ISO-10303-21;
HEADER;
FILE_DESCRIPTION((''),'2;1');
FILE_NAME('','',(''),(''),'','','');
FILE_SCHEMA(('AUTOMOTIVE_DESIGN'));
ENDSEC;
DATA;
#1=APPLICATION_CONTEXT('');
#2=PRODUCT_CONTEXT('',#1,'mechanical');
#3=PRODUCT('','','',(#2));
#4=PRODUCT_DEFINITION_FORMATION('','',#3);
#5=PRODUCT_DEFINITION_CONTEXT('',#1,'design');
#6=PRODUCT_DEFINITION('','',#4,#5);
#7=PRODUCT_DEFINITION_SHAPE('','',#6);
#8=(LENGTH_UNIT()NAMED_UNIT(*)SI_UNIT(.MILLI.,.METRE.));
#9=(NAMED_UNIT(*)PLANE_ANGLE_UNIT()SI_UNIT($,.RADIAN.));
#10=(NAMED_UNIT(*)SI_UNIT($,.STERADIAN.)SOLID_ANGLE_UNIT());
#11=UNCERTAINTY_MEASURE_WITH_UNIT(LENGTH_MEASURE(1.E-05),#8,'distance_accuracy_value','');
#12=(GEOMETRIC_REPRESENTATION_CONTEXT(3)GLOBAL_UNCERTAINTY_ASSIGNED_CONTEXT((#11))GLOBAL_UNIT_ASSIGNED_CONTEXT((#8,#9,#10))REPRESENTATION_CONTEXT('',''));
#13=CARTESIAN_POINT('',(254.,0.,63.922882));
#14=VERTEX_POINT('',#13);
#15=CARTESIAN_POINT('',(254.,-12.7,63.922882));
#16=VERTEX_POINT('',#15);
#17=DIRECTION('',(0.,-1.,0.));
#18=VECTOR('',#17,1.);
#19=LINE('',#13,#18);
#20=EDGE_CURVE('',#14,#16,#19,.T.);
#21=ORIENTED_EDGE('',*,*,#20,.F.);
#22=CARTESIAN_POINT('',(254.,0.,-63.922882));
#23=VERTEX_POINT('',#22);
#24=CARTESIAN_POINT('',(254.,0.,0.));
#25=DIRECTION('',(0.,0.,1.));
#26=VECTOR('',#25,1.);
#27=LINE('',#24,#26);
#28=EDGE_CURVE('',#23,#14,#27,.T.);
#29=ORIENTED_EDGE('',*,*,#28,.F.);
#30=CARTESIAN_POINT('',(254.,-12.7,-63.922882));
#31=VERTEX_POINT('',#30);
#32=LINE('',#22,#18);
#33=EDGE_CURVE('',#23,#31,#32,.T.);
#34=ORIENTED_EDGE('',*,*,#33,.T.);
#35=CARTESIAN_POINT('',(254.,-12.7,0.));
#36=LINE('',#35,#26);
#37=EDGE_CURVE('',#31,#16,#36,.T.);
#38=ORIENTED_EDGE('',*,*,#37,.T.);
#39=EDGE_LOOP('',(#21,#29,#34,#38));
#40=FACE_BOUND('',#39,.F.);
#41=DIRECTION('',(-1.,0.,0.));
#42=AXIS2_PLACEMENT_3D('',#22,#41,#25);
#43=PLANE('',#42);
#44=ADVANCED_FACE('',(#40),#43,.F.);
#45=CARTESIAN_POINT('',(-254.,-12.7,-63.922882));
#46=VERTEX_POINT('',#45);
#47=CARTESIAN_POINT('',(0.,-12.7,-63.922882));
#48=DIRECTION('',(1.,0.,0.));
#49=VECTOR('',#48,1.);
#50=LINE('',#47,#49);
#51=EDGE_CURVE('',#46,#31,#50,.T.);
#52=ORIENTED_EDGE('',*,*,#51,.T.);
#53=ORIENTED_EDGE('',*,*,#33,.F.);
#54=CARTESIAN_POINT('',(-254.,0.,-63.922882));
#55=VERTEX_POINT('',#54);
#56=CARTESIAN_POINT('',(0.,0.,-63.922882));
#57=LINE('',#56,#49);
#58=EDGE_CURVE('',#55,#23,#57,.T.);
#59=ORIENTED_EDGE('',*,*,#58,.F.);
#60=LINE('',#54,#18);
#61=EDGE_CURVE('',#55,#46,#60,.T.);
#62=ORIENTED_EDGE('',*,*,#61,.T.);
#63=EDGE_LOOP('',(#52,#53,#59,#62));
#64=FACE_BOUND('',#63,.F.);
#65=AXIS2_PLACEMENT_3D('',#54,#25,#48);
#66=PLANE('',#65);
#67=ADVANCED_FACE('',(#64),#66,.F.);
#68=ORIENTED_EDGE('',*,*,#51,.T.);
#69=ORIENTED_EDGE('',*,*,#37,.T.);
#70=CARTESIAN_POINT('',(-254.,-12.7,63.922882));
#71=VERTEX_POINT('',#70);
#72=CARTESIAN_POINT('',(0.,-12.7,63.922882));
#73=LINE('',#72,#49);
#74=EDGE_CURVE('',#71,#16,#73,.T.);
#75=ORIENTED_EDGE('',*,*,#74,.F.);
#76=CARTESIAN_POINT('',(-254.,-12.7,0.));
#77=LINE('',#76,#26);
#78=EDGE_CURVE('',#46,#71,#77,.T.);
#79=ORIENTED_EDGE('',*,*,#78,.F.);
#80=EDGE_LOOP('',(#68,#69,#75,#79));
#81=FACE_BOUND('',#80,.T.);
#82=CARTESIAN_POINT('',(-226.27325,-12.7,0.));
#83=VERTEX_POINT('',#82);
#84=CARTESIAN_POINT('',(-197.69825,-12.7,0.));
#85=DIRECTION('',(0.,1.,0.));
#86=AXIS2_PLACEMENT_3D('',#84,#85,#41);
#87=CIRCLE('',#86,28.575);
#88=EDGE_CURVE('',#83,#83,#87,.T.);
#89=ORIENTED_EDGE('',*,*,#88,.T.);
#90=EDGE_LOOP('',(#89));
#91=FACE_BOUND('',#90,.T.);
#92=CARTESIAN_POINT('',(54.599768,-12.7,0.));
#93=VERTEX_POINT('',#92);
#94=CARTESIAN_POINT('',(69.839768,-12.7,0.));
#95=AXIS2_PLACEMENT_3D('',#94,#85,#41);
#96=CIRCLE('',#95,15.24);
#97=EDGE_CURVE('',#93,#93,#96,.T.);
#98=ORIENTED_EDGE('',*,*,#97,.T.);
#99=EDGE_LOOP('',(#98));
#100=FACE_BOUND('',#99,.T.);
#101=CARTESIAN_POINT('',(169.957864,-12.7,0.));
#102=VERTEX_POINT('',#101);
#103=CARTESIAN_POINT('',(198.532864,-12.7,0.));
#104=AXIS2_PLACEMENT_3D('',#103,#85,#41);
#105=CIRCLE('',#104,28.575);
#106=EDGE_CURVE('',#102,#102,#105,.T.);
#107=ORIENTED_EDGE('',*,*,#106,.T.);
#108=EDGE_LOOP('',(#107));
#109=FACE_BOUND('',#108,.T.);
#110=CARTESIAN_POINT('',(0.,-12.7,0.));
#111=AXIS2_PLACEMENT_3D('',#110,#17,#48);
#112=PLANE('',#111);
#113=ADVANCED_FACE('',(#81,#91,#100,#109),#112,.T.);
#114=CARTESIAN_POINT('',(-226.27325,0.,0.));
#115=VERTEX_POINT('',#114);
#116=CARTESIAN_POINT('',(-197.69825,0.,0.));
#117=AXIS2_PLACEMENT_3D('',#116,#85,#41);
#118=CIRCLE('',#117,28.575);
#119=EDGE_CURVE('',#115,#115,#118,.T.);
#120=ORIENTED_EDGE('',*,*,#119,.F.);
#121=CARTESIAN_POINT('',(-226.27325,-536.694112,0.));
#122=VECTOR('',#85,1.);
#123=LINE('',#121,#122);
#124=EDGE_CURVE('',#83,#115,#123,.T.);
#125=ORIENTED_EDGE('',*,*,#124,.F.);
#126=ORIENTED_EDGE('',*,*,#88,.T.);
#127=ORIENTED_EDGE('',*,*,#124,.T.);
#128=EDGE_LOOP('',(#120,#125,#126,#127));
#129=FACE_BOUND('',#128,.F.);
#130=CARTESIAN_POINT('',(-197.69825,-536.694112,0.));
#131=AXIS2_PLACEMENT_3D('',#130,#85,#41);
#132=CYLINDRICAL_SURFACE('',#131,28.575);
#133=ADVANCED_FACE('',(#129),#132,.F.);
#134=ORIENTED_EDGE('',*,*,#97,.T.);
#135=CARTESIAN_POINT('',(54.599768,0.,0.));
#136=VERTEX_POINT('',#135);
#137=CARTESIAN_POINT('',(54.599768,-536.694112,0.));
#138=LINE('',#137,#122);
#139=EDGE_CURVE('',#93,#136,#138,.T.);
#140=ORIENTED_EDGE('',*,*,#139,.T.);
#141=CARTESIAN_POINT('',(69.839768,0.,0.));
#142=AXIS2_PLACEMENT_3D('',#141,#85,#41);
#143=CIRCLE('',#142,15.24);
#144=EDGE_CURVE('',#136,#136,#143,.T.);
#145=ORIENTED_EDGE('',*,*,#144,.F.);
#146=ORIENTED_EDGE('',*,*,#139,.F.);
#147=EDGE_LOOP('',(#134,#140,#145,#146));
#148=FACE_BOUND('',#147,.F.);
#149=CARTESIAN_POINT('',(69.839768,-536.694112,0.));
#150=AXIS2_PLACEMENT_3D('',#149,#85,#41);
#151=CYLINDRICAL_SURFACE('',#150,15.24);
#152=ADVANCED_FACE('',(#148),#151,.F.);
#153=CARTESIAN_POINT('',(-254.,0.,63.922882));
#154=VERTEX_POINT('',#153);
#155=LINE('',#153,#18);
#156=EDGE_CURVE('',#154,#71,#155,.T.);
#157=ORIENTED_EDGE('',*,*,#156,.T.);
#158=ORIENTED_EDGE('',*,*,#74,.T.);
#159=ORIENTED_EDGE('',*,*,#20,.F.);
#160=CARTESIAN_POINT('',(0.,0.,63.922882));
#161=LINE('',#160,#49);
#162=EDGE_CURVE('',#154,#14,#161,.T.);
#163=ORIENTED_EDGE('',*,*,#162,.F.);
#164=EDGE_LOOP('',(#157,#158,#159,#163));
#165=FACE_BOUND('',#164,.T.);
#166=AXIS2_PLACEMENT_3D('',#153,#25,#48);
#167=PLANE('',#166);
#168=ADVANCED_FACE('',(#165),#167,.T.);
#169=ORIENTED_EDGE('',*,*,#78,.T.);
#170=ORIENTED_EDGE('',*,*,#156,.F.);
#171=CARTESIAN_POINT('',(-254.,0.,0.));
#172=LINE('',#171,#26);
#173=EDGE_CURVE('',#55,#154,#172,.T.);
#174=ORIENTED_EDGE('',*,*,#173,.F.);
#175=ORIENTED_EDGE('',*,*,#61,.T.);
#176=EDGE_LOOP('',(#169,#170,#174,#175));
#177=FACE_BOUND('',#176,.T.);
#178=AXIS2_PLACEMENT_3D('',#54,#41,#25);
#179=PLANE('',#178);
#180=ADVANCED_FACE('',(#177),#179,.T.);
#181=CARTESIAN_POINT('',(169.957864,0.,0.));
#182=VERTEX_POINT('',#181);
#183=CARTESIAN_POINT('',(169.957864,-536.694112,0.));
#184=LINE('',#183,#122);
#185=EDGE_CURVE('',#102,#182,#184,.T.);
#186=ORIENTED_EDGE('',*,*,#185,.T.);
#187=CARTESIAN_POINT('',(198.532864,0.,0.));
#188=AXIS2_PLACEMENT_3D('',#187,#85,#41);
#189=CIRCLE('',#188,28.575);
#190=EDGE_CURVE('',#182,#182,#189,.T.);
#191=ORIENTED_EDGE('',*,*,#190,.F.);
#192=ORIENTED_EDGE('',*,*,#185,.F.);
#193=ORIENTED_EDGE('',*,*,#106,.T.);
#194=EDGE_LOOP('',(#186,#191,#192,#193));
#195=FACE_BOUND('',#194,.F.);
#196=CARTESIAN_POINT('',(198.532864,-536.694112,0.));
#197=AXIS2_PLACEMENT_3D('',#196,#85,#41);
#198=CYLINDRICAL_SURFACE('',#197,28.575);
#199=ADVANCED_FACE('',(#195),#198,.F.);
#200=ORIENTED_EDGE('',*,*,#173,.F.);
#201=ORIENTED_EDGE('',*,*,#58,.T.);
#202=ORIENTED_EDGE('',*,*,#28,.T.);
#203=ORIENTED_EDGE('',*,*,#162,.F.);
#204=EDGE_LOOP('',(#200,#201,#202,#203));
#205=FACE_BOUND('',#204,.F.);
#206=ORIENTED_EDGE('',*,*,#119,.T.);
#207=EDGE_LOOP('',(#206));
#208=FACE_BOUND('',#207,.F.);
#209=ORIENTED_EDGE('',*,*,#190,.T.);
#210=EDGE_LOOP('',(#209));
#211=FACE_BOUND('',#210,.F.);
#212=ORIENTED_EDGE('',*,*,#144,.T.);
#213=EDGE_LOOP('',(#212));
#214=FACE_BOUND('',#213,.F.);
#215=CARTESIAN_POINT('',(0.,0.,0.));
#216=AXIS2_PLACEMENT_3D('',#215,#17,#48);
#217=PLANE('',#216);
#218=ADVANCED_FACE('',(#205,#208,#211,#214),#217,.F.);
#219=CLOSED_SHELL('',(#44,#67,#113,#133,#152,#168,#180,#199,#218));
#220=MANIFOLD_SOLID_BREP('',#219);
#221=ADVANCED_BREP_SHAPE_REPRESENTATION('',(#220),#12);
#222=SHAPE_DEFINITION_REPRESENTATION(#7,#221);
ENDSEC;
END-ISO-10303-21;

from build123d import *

# Parameters (mm, degrees)
F0_W     = 508
F0_H     = 127.845764
F1_DEPTH = 12.7
F3_D     = 57.15
F5_D     = 30.48


with BuildPart() as f1:
    # F0 (on Front) → F1 (new body)
    with BuildSketch(Plane.XZ):
        Rectangle(F0_W, F0_H)
    extrude(amount=F1_DEPTH)

    # F3 (through all)
    with Locations(Plane.XZ.offset(12.7)):
        with Locations((-197.69825, 0), (198.532864, 0)):
            Hole(F3_D / 2)

    # F5 (through all)
    with Locations(Plane.XZ.offset(12.7)):
        with Locations((69.839768, 0)):
            Hole(F5_D / 2)


solid = f1.part
